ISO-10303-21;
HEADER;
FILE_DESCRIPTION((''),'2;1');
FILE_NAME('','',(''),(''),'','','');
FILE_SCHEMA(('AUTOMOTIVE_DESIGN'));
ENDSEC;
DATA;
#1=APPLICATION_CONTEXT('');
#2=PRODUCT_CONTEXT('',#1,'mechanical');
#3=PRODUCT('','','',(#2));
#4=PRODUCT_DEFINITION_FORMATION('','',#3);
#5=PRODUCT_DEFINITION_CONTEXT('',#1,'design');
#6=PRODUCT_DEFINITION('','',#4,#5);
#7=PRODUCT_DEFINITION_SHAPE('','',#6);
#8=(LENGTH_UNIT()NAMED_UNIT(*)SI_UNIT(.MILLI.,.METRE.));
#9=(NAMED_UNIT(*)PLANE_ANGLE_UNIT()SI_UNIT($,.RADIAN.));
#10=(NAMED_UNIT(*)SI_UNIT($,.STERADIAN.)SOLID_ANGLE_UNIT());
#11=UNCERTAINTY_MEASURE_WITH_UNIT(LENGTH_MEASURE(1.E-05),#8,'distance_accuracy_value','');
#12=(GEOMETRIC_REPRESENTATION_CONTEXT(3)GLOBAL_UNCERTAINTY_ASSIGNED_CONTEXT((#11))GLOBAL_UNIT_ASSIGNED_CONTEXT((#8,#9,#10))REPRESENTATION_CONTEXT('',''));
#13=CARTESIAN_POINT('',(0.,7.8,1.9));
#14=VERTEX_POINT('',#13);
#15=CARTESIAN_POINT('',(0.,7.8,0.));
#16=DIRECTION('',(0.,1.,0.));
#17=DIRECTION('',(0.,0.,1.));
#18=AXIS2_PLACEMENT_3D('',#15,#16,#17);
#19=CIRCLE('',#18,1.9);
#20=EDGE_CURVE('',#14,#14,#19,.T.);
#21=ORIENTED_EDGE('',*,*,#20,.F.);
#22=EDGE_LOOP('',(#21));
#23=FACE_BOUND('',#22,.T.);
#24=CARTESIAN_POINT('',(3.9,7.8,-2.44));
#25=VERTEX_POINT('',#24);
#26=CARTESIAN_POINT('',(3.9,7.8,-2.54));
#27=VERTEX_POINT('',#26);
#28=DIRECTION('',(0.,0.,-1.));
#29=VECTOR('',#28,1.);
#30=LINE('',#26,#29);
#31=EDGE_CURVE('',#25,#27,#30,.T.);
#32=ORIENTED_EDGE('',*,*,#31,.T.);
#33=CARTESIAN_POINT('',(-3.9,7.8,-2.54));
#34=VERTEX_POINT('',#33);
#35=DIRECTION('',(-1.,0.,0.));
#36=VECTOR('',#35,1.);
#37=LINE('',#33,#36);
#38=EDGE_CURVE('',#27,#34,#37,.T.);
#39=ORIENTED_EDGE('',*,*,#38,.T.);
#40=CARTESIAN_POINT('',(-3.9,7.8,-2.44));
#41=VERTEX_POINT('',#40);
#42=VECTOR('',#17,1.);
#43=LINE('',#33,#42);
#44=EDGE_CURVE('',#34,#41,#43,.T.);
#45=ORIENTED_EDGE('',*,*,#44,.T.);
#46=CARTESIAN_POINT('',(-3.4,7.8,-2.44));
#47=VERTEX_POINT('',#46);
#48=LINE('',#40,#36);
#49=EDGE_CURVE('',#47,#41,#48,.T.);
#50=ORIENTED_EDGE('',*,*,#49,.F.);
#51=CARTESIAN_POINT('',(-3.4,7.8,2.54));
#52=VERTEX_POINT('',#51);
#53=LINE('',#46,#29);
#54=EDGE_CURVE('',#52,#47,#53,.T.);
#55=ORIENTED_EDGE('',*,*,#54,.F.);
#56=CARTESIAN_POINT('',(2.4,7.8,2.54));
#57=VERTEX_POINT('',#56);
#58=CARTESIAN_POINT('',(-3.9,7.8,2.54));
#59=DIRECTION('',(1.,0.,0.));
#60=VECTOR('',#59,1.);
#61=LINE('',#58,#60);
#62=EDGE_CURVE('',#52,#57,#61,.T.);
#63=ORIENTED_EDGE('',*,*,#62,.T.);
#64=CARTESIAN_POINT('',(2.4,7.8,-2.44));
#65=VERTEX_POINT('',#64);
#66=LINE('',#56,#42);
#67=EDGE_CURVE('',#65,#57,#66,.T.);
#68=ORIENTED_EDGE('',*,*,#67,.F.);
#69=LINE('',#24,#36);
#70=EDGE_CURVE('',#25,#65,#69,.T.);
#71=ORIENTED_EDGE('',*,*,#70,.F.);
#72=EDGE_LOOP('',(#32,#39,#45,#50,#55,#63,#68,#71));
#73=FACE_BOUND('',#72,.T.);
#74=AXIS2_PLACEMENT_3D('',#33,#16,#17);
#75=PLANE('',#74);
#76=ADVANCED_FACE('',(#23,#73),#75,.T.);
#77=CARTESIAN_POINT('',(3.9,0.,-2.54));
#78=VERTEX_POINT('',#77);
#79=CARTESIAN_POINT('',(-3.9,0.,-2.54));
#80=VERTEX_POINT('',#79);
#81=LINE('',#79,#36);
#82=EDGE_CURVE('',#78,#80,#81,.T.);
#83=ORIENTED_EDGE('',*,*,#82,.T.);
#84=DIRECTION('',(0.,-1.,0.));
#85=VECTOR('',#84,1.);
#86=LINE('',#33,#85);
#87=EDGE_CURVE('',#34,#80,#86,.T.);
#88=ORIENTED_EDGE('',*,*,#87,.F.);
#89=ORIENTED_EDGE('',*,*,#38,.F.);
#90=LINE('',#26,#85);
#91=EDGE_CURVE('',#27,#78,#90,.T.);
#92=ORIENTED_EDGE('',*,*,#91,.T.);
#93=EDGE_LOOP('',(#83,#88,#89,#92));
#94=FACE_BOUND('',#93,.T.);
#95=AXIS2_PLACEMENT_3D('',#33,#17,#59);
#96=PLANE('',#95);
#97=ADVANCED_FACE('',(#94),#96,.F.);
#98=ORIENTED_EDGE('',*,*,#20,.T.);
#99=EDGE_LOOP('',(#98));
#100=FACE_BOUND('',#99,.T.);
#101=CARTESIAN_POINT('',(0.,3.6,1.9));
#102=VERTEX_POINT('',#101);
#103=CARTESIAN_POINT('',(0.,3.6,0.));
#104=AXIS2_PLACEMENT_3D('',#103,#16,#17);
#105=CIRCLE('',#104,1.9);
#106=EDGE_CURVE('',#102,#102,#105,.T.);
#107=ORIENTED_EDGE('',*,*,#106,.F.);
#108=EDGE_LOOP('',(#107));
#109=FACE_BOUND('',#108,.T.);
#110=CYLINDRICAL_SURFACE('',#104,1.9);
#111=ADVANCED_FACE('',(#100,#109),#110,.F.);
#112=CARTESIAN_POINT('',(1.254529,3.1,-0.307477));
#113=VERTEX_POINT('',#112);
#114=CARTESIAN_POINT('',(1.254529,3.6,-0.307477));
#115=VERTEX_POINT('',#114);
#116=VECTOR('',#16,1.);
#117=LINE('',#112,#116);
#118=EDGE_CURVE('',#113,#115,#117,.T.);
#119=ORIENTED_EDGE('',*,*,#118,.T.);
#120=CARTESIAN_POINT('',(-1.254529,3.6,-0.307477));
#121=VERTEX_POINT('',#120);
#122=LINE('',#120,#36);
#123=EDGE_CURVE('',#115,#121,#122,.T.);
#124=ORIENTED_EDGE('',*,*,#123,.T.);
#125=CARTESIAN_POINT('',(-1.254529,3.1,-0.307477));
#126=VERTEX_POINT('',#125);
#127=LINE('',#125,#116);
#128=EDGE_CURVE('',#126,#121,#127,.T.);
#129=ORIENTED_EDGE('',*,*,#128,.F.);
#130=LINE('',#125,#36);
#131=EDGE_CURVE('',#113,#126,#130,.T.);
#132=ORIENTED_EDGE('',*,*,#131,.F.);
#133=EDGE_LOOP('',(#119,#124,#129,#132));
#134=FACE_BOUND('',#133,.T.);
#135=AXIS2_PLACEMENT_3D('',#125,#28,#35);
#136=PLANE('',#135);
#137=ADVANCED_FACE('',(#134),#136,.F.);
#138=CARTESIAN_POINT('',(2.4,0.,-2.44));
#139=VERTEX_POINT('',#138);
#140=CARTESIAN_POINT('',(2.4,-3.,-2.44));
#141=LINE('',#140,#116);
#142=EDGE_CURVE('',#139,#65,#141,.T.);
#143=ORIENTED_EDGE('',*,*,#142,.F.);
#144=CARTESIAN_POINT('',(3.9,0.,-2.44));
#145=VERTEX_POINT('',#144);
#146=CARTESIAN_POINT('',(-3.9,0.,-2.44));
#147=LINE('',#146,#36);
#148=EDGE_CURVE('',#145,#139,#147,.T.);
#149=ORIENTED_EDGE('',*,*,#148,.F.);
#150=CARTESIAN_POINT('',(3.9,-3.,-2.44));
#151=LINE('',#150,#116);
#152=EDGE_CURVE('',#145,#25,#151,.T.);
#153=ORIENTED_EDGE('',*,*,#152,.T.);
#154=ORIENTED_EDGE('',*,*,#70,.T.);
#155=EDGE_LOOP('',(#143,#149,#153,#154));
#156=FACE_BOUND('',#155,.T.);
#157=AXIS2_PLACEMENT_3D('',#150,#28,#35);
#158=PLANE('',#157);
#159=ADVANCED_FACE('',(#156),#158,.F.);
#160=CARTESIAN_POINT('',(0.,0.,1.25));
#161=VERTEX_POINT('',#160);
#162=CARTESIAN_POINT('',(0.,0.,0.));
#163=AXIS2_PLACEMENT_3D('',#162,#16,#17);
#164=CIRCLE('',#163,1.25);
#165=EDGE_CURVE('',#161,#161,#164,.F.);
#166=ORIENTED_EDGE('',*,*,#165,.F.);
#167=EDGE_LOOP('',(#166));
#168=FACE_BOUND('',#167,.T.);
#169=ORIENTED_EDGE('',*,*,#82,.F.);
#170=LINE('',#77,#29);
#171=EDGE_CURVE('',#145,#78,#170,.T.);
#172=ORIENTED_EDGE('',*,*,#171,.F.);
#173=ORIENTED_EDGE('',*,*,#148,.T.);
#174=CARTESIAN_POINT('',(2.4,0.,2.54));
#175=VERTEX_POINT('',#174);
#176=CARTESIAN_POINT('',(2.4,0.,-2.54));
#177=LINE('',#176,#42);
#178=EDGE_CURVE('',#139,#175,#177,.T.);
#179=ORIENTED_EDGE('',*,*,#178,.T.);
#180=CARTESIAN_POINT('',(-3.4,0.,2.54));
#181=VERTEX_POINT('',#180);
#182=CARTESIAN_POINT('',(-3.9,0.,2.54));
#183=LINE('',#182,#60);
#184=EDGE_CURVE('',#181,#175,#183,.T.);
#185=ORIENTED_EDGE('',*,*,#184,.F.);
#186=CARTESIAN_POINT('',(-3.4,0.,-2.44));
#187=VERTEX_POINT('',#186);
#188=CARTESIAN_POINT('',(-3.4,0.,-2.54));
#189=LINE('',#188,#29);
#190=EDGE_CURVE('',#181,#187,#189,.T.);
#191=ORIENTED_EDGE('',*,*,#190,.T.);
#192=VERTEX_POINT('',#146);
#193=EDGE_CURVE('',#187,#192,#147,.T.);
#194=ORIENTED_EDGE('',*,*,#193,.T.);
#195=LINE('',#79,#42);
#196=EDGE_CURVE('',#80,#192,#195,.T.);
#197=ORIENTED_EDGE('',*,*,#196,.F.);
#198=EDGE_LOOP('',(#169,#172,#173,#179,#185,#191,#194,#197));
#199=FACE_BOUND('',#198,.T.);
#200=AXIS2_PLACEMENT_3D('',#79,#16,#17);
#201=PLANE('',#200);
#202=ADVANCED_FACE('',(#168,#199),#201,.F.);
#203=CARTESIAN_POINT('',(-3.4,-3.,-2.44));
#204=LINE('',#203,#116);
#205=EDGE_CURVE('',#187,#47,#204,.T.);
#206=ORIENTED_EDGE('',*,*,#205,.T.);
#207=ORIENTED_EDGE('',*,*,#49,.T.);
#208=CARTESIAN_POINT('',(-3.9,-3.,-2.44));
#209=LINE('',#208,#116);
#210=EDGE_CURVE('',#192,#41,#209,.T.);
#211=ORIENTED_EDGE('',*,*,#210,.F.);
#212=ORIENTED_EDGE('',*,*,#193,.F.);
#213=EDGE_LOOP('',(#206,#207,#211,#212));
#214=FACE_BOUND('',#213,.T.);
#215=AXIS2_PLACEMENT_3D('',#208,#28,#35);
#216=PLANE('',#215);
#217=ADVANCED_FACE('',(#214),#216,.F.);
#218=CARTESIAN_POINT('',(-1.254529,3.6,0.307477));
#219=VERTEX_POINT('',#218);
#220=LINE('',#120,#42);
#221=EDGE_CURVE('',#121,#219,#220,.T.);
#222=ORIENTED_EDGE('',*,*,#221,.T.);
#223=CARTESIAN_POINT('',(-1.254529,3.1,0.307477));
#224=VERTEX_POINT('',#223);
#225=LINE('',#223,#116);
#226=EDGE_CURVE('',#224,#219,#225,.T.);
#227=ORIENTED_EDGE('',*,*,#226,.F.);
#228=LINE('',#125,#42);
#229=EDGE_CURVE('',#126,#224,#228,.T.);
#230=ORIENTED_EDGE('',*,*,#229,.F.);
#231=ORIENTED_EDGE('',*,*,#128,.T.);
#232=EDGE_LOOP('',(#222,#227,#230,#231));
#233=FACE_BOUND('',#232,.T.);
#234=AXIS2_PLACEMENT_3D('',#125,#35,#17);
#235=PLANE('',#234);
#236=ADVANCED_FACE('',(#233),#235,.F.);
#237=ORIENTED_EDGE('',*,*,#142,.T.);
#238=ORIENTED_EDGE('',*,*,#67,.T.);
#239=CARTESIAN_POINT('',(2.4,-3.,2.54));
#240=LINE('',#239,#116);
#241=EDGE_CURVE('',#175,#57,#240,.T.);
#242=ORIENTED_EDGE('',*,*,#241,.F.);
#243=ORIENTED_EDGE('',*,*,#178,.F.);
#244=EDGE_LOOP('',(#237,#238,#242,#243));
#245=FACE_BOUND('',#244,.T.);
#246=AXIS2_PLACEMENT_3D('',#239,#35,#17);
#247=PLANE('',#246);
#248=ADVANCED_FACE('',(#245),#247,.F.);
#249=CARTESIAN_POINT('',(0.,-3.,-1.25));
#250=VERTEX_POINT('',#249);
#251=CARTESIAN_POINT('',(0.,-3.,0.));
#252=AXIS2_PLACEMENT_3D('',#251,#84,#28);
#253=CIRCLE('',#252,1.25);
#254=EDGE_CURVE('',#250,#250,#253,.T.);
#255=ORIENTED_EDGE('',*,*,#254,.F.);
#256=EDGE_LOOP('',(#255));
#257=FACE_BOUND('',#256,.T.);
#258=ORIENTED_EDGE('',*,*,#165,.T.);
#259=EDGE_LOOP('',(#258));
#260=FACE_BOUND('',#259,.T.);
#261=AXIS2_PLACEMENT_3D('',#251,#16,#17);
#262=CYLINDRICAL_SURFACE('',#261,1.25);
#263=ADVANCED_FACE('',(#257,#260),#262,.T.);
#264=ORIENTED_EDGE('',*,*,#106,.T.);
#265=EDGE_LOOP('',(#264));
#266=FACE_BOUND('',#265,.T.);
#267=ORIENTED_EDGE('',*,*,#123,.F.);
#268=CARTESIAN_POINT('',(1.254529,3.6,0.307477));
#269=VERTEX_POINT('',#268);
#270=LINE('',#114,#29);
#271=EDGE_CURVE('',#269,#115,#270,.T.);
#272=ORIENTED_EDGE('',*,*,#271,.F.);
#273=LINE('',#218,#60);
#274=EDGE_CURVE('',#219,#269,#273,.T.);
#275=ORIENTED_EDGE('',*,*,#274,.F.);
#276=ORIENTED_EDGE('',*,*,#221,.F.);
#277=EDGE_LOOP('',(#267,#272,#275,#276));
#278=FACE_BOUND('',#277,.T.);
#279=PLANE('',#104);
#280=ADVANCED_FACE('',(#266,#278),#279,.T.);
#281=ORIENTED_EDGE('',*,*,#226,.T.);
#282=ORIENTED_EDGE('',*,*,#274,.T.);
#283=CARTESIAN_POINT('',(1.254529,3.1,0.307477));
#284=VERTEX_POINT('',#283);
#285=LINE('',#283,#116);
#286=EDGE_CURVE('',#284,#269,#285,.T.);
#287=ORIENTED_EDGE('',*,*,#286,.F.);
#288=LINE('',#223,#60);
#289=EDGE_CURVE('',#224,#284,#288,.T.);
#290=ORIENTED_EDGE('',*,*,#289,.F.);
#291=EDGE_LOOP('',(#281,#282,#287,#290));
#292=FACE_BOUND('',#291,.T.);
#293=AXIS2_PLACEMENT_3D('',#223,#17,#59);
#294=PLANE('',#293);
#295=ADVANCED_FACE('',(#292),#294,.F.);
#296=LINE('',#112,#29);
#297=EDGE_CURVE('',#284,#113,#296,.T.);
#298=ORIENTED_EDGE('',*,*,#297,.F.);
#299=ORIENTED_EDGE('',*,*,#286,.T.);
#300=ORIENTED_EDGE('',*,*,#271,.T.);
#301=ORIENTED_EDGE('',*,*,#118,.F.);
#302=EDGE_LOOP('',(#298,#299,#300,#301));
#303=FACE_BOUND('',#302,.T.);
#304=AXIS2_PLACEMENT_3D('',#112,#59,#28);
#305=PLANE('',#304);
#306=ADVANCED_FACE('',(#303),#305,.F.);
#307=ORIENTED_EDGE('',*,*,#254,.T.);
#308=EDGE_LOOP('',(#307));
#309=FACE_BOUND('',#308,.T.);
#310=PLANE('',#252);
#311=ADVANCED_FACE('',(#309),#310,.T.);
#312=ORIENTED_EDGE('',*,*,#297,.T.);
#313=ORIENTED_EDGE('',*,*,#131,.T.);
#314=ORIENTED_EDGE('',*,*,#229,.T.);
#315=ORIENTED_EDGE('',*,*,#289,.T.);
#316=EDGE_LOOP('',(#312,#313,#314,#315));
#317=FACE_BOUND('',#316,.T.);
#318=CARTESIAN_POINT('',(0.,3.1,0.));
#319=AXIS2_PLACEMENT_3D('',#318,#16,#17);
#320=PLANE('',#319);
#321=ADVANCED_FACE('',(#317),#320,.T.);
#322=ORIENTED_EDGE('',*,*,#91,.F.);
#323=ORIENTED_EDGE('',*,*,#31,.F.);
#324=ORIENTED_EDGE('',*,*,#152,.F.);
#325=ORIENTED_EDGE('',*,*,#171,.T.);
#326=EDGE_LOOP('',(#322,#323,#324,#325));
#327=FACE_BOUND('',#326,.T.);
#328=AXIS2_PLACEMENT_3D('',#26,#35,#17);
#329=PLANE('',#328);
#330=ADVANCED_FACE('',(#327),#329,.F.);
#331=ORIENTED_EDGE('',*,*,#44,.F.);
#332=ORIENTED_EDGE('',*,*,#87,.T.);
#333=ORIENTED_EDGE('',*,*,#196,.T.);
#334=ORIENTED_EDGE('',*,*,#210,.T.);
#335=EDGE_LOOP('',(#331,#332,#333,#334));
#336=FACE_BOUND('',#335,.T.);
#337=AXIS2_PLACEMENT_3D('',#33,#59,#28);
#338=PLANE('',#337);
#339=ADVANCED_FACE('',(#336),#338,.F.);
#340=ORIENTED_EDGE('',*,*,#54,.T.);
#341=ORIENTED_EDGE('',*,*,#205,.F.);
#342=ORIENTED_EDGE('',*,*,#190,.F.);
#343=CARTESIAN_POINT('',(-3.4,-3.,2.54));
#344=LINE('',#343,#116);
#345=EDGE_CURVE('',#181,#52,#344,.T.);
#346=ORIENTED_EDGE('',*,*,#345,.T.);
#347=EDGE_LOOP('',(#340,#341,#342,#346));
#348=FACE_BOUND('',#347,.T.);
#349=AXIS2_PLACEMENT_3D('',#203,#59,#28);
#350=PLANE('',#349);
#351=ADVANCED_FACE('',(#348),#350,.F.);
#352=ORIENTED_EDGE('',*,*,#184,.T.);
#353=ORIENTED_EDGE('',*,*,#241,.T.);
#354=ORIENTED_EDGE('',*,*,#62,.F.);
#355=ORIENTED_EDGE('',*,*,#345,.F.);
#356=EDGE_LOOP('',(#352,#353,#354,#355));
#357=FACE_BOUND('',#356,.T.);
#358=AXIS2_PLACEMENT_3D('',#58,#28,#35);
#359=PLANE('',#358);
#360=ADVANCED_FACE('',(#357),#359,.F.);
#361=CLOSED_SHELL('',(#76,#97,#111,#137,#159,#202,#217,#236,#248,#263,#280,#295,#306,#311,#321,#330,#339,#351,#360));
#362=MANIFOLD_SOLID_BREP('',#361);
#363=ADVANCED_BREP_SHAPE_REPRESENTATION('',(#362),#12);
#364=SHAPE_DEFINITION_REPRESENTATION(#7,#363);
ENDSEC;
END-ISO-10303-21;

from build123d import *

# Parameters (mm, degrees)
SKETCH_1_W          = 7.8
SKETCH_1_H          = 5.08
EXTRUDE_1_DEPTH     = 7.8
SKETCH_2_R          = 1.9
CUT_EXTRUDE_1_DEPTH = 4.2
SKETCH_3_W          = 2.509058382
SKETCH_3_H          = 0.614954654
CUT_EXTRUDE_2_DEPTH = 0.5
SKETCH_4_R          = 1.25
EXTRUDE_1_2_DEPTH   = 3
SKETCH_5_W          = 0.5
SKETCH_5_H          = 4.98
SKETCH_5_W_2        = 1.5
CUT_EXTRUDE_3_DEPTH = 12.760170067


with BuildPart() as part:
    # 草图1 → Extrude 1 (new body)
    with BuildSketch(Plane(origin=(0, 0, 0), x_dir=(1, 0, 0), z_dir=(0, 1, 0))):
        Rectangle(SKETCH_1_W, SKETCH_1_H)
    extrude(amount=EXTRUDE_1_DEPTH)

    # 草图2 → 切除-拉伸1 (cut)
    with BuildSketch(Plane(origin=(0, 7.8, 0), x_dir=(1, 0, 0), z_dir=(0, 1, 0))):
        with Locations(Location((0, 0, 0), (0, 0, 270))):
            Circle(SKETCH_2_R)
    extrude(amount=-CUT_EXTRUDE_1_DEPTH, mode=Mode.SUBTRACT)

    # 草图3 → 切除-拉伸2 (cut)
    with BuildSketch(Plane(origin=(0, 3.6, 0), x_dir=(1, 0, 0), z_dir=(0, 1, 0))):
        Rectangle(SKETCH_3_W, SKETCH_3_H)
    extrude(amount=-CUT_EXTRUDE_2_DEPTH, mode=Mode.SUBTRACT)

    # 草图4 → Extrude 1 2 (add)
    with BuildSketch(Plane.XZ):
        with Locations(Location((0, 0, 0), (0, 0, 90))):
            Circle(SKETCH_4_R)
    extrude(amount=EXTRUDE_1_2_DEPTH)

    # 草图5 → 切除-拉伸3 (cut, through all)
    with BuildSketch(Plane(origin=(0, 7.8, 0), x_dir=(1, 0, 0), z_dir=(0, 1, 0))):
        with Locations((-3.65, -0.05)):
            Rectangle(SKETCH_5_W, SKETCH_5_H)
        with Locations((3.15, -0.05)):
            Rectangle(SKETCH_5_W_2, SKETCH_5_H)
    extrude(amount=-CUT_EXTRUDE_3_DEPTH, mode=Mode.SUBTRACT)


solid = part.part
